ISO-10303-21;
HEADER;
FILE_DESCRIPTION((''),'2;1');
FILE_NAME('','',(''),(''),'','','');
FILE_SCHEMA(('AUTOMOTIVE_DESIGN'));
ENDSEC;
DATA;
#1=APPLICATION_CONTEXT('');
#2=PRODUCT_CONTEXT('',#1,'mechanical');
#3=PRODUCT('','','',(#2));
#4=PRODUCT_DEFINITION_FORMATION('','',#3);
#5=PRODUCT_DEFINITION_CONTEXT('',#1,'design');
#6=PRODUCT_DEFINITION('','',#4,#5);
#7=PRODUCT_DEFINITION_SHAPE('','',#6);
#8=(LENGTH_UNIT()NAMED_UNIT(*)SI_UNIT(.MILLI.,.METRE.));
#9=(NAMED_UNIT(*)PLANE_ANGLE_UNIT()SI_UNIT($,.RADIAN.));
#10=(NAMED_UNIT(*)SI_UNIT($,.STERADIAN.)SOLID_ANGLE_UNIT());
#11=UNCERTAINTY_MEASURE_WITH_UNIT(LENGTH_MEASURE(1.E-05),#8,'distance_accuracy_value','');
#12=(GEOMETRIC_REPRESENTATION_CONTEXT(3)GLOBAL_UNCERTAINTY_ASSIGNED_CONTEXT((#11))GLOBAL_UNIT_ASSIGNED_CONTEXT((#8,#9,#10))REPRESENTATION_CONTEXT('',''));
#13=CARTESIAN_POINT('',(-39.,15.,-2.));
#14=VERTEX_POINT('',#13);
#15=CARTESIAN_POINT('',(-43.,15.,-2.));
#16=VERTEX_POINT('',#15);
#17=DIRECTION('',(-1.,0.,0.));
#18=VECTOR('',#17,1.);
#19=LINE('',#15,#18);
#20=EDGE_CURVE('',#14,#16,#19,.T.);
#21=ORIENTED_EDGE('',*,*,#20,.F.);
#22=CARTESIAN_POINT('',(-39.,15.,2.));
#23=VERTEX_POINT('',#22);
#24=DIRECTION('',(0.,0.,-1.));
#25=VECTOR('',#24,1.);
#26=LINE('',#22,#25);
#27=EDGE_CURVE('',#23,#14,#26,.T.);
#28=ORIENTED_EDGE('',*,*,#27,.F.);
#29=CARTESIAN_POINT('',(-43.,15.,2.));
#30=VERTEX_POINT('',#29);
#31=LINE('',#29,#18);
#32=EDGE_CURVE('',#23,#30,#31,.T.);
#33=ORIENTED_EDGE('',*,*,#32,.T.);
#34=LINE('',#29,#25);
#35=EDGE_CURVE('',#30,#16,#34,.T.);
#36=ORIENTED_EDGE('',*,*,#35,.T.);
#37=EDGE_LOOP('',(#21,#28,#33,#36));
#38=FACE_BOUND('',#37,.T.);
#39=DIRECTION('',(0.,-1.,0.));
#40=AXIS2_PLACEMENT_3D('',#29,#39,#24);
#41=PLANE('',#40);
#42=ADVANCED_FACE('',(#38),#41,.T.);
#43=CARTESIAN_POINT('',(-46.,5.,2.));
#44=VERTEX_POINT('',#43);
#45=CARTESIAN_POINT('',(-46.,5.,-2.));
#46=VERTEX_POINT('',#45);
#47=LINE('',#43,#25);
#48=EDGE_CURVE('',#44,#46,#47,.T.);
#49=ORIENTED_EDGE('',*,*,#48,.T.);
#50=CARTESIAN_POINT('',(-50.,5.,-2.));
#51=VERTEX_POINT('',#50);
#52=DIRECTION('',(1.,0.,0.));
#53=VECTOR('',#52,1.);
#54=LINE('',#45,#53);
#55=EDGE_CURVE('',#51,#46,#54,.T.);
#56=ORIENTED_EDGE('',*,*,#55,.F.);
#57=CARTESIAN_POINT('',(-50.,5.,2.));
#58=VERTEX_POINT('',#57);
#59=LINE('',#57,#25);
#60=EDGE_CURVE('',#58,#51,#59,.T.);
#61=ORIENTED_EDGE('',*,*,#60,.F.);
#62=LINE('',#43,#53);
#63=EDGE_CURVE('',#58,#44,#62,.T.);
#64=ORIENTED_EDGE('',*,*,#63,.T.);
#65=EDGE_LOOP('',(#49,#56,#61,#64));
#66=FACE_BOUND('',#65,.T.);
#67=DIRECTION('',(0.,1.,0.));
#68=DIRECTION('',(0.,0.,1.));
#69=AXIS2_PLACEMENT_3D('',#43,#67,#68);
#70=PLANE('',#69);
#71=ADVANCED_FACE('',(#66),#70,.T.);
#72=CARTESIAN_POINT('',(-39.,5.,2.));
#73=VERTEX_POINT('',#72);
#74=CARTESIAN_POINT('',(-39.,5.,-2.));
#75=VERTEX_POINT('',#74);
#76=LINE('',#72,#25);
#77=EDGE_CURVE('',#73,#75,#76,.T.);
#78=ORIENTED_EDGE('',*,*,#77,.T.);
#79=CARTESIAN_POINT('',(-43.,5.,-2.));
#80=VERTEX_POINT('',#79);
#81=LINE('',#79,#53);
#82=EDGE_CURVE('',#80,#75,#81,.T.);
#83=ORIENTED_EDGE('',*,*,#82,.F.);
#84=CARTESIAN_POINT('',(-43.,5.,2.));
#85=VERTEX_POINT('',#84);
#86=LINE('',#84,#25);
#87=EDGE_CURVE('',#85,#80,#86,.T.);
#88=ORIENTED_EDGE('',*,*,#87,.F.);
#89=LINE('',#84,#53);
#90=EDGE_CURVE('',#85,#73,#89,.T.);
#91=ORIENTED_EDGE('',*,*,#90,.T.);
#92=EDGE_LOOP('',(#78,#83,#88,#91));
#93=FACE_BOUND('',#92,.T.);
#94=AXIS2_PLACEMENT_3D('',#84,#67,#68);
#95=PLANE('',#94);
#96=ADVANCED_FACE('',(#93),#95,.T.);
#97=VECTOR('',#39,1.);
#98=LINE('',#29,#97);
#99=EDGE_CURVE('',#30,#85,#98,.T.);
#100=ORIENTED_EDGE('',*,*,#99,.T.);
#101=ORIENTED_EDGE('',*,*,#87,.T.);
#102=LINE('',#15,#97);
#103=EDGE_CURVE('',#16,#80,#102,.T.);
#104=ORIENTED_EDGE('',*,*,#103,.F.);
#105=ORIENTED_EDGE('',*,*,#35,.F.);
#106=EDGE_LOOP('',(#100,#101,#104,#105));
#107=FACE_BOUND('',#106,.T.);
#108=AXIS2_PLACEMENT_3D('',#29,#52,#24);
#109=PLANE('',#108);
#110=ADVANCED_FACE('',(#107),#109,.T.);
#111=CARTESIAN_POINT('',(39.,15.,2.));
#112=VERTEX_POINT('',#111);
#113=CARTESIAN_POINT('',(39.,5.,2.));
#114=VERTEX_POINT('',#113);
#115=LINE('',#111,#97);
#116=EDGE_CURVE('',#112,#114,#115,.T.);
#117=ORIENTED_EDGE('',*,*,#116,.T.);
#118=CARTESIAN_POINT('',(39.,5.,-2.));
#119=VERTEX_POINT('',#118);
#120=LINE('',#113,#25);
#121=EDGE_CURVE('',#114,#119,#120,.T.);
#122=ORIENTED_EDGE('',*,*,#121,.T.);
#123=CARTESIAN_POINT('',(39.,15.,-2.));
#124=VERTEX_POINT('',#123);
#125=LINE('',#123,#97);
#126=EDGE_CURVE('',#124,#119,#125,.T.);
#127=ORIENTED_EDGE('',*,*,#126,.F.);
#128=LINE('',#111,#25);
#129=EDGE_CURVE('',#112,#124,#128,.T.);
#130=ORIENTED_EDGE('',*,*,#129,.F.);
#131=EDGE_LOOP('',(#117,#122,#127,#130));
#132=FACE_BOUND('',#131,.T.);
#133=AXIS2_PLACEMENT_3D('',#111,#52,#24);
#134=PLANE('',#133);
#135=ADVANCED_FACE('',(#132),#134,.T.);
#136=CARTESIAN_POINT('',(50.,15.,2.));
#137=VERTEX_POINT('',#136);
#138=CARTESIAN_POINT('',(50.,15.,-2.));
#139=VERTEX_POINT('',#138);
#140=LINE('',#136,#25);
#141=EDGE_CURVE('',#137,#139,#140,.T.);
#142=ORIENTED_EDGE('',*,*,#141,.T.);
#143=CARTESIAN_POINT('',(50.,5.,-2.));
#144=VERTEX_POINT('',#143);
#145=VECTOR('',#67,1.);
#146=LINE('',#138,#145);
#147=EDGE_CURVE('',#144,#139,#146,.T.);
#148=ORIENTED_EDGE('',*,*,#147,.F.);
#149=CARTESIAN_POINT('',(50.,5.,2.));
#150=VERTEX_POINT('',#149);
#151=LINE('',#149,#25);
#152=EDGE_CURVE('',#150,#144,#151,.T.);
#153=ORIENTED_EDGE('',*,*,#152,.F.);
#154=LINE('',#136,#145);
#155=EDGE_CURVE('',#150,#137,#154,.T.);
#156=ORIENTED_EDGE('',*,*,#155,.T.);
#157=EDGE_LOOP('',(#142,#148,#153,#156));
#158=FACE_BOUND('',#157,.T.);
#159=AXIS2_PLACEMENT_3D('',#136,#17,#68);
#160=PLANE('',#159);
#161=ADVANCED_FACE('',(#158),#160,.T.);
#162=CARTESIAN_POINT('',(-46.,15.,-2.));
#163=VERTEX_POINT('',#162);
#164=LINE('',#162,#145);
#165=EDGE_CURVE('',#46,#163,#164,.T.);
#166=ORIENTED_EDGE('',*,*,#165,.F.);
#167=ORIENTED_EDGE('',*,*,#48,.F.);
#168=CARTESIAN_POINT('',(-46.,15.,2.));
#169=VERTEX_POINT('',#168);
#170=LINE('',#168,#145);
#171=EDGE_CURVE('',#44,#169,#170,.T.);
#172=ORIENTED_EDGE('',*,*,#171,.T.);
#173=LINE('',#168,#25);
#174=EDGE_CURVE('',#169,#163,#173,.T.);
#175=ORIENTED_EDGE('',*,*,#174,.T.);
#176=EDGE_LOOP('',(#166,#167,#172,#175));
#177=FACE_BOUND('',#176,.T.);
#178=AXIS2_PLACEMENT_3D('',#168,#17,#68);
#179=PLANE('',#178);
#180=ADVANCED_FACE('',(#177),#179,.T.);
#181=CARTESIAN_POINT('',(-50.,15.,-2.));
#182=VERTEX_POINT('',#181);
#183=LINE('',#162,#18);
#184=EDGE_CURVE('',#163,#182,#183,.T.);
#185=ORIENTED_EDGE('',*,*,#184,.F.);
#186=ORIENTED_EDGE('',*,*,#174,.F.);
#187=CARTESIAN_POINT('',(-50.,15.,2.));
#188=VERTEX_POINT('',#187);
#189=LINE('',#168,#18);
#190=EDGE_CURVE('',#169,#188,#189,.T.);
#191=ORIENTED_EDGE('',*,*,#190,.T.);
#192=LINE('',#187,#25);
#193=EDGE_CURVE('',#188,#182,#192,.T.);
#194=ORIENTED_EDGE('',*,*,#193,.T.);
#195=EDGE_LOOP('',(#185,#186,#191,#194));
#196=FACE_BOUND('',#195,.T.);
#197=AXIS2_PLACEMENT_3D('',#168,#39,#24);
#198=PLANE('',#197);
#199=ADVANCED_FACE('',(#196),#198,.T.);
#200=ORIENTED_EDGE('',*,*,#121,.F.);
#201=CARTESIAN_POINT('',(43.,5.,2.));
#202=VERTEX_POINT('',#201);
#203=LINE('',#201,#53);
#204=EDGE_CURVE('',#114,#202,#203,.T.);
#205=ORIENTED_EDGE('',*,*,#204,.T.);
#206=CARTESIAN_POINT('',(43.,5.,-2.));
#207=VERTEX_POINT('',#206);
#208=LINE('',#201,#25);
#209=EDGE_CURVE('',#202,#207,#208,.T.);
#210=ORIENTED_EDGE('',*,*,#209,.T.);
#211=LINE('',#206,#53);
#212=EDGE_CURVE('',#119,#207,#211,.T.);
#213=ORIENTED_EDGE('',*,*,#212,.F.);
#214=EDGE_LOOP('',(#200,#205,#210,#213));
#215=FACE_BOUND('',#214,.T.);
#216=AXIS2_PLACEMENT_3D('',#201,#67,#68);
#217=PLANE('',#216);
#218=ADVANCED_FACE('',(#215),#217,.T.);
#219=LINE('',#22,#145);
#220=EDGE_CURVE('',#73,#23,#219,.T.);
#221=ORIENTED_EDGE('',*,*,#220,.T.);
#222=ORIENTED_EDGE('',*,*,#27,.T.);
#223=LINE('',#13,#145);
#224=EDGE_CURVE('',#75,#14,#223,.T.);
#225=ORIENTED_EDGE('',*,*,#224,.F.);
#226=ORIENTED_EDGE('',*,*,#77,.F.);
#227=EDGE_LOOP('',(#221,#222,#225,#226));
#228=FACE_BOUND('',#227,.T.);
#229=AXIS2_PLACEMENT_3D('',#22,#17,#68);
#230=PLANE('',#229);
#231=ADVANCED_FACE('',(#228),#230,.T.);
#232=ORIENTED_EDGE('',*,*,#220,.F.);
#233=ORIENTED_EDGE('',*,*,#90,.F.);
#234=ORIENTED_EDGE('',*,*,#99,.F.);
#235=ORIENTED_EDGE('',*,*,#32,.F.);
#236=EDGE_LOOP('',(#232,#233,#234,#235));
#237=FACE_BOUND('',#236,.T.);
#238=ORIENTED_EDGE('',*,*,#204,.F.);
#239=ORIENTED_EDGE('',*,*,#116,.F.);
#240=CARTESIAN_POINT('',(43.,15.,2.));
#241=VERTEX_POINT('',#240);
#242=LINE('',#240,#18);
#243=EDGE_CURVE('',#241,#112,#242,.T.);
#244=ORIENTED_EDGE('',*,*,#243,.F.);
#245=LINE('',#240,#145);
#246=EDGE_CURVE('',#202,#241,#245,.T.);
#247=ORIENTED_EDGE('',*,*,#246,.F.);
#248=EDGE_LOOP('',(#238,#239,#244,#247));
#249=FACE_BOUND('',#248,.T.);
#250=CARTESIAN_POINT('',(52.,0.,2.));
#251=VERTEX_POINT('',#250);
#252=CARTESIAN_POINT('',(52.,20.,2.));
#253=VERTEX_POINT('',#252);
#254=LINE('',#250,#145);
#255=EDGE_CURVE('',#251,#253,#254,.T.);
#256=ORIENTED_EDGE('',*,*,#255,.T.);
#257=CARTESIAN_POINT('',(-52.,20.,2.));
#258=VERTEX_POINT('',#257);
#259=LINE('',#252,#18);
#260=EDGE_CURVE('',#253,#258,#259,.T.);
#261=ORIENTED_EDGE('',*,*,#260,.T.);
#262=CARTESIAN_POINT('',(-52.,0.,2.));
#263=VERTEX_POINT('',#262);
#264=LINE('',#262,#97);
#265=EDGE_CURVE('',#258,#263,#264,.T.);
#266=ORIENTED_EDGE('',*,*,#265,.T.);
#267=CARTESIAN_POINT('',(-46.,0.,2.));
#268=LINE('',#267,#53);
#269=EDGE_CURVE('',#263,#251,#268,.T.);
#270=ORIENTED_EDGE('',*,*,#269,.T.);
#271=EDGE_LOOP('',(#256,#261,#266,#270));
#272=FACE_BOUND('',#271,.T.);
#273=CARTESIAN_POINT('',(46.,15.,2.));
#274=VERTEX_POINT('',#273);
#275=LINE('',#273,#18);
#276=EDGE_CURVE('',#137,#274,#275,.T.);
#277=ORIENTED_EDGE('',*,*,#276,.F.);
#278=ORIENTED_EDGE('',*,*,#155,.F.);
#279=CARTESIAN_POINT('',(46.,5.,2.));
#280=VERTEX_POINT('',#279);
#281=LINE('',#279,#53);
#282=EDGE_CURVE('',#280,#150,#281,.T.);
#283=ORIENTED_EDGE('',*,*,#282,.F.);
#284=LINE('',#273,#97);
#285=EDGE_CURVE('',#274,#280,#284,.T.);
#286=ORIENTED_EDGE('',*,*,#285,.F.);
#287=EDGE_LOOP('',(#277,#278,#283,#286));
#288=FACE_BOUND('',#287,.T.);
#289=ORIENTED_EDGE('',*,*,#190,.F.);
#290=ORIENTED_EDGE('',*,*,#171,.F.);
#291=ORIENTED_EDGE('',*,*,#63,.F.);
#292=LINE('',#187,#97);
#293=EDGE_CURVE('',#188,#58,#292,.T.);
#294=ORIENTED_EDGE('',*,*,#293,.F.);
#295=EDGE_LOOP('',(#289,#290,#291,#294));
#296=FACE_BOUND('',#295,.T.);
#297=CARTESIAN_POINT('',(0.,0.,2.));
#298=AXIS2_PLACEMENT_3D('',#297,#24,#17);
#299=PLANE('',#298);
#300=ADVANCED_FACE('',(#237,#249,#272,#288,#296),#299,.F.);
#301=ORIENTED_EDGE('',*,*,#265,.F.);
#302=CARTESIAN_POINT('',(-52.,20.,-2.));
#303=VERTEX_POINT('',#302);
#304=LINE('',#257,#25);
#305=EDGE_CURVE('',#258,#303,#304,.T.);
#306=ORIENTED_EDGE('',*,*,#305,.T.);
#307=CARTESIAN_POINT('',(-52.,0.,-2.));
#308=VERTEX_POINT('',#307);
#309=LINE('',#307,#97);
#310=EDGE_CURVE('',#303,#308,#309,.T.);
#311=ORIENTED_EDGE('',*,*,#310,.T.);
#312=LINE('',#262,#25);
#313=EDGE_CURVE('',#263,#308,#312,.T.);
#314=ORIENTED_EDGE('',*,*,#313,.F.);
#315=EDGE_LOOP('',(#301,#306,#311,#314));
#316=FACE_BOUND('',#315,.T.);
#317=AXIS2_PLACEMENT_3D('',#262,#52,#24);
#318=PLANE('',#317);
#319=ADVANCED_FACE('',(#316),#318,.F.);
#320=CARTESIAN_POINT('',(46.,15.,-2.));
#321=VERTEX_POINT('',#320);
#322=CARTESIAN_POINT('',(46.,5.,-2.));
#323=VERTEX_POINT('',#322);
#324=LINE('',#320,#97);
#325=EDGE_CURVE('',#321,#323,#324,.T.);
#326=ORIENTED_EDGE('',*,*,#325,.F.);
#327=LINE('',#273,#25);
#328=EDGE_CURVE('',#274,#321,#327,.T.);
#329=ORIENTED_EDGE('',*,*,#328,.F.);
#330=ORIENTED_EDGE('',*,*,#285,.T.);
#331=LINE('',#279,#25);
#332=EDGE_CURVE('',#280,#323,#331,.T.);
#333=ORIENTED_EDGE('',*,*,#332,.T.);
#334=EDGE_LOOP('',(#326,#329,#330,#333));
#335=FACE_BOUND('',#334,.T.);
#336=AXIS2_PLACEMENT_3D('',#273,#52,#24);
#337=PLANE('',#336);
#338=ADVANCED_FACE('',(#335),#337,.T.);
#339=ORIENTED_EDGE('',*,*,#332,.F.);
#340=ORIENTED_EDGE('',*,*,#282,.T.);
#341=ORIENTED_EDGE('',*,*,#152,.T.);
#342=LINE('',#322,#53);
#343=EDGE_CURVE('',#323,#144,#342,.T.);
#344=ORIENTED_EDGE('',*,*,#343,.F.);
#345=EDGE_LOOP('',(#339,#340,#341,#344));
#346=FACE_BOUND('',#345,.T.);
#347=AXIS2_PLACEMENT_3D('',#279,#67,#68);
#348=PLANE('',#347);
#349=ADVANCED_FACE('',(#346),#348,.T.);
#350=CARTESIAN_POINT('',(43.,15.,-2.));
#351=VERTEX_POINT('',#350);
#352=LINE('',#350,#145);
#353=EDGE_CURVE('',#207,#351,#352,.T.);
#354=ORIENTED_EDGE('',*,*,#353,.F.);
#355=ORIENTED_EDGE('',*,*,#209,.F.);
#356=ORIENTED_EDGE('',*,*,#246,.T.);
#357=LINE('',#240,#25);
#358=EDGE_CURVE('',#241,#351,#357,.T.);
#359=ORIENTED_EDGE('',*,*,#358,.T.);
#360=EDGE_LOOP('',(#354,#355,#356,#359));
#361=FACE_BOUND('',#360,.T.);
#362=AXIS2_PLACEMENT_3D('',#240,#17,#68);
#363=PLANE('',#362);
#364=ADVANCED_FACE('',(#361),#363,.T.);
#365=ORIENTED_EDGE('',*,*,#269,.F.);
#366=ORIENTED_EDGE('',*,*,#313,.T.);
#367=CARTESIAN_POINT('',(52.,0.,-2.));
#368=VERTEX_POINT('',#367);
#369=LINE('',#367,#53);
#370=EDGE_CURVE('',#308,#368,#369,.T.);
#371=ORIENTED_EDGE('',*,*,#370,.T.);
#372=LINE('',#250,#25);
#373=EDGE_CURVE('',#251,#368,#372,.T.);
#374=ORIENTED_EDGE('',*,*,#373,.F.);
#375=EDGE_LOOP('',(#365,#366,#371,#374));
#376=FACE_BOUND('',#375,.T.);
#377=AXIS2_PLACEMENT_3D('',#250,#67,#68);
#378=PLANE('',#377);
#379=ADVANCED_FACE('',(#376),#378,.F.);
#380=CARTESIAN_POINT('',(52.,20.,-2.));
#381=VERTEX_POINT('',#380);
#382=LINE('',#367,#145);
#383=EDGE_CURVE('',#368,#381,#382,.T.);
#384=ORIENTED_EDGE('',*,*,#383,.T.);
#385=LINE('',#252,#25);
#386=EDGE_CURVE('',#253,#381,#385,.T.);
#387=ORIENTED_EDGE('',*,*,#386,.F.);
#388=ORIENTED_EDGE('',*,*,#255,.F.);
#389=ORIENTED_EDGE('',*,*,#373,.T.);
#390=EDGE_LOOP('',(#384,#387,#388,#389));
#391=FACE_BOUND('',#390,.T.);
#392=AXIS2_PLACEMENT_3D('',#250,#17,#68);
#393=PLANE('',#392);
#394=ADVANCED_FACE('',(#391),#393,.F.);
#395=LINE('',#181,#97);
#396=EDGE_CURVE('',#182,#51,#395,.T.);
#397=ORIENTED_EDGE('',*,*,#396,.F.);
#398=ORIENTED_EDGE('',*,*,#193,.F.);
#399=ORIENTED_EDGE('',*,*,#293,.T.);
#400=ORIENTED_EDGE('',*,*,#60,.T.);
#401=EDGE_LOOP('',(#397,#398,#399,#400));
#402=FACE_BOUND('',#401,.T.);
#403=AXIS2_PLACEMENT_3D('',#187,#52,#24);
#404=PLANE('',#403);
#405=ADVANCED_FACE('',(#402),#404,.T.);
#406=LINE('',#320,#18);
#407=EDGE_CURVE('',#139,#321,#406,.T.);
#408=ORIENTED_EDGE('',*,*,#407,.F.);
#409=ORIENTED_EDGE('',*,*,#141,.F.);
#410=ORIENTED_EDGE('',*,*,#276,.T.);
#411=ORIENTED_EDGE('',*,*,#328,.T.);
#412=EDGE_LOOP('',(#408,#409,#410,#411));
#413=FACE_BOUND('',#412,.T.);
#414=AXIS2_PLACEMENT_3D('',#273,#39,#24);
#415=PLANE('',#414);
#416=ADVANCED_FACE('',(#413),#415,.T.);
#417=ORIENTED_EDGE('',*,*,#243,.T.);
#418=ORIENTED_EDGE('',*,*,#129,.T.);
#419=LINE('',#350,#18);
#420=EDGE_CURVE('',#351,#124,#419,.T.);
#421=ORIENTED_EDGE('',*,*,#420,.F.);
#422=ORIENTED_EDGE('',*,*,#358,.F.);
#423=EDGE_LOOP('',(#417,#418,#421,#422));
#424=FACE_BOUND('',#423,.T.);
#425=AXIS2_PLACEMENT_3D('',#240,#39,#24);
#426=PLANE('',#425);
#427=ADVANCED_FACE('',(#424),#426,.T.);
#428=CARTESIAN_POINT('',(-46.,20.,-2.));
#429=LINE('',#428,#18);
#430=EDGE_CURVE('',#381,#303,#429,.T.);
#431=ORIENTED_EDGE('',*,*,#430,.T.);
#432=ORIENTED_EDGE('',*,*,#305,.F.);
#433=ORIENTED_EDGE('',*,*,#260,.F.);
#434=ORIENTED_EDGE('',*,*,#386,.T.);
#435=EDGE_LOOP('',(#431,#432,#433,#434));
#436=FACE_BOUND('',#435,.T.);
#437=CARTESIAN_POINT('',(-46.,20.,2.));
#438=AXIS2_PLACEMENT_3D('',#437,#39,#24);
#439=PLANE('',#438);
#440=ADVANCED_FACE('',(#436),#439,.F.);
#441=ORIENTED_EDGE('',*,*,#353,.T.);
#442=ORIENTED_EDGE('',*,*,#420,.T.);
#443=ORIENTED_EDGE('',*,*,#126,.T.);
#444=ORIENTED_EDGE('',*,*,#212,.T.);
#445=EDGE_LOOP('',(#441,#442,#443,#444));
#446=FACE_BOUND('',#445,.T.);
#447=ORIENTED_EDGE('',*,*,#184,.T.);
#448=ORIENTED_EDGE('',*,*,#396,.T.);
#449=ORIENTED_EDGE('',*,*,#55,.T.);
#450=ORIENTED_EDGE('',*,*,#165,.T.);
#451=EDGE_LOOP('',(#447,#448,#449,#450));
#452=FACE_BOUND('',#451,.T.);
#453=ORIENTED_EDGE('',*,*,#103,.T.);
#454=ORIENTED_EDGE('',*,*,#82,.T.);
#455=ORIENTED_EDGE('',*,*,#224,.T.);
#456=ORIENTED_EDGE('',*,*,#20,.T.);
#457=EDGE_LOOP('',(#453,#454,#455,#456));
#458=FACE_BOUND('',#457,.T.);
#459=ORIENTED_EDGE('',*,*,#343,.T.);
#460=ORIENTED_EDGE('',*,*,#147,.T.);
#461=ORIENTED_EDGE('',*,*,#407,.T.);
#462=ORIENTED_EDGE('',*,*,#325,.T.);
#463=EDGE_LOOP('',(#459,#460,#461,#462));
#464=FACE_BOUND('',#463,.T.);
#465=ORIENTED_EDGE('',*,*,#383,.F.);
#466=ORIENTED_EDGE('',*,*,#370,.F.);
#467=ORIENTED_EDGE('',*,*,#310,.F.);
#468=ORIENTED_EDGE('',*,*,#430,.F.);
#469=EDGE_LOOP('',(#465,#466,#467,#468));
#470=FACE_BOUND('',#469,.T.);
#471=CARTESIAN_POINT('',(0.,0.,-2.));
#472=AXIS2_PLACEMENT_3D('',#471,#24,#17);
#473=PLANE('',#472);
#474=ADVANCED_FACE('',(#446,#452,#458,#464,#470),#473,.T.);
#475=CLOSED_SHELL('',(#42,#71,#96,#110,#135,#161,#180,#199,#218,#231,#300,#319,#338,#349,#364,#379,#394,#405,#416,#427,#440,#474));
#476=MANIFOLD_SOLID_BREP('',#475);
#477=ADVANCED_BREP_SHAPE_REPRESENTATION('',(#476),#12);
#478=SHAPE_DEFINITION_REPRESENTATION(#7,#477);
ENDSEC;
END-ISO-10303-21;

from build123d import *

# Parameters (mm, degrees)
SKETCH_1_W      = 4
SKETCH_1_H      = 10
EXTRUDE_1_DEPTH = 2


with BuildPart() as part:
    # 草图1 → 凸台-拉伸1 (new, symmetric)
    with BuildSketch(Plane.XY):
        Polygon((-46, 0), (46, 0), (52, 0), (52, 20), (46, 20), (-46, 20), (-52, 20), (-52, 0), align=None)
        with Locations((48, 10)):
            Rectangle(SKETCH_1_W, SKETCH_1_H, mode=Mode.SUBTRACT)
        with Locations((-48, 10)):
            Rectangle(SKETCH_1_W, SKETCH_1_H, mode=Mode.SUBTRACT)
        with Locations((41, 10)):
            Rectangle(SKETCH_1_W, SKETCH_1_H, mode=Mode.SUBTRACT)
        with Locations((-41, 10)):
            Rectangle(SKETCH_1_W, SKETCH_1_H, mode=Mode.SUBTRACT)
    extrude(amount=EXTRUDE_1_DEPTH, both=True)


solid = part.part
